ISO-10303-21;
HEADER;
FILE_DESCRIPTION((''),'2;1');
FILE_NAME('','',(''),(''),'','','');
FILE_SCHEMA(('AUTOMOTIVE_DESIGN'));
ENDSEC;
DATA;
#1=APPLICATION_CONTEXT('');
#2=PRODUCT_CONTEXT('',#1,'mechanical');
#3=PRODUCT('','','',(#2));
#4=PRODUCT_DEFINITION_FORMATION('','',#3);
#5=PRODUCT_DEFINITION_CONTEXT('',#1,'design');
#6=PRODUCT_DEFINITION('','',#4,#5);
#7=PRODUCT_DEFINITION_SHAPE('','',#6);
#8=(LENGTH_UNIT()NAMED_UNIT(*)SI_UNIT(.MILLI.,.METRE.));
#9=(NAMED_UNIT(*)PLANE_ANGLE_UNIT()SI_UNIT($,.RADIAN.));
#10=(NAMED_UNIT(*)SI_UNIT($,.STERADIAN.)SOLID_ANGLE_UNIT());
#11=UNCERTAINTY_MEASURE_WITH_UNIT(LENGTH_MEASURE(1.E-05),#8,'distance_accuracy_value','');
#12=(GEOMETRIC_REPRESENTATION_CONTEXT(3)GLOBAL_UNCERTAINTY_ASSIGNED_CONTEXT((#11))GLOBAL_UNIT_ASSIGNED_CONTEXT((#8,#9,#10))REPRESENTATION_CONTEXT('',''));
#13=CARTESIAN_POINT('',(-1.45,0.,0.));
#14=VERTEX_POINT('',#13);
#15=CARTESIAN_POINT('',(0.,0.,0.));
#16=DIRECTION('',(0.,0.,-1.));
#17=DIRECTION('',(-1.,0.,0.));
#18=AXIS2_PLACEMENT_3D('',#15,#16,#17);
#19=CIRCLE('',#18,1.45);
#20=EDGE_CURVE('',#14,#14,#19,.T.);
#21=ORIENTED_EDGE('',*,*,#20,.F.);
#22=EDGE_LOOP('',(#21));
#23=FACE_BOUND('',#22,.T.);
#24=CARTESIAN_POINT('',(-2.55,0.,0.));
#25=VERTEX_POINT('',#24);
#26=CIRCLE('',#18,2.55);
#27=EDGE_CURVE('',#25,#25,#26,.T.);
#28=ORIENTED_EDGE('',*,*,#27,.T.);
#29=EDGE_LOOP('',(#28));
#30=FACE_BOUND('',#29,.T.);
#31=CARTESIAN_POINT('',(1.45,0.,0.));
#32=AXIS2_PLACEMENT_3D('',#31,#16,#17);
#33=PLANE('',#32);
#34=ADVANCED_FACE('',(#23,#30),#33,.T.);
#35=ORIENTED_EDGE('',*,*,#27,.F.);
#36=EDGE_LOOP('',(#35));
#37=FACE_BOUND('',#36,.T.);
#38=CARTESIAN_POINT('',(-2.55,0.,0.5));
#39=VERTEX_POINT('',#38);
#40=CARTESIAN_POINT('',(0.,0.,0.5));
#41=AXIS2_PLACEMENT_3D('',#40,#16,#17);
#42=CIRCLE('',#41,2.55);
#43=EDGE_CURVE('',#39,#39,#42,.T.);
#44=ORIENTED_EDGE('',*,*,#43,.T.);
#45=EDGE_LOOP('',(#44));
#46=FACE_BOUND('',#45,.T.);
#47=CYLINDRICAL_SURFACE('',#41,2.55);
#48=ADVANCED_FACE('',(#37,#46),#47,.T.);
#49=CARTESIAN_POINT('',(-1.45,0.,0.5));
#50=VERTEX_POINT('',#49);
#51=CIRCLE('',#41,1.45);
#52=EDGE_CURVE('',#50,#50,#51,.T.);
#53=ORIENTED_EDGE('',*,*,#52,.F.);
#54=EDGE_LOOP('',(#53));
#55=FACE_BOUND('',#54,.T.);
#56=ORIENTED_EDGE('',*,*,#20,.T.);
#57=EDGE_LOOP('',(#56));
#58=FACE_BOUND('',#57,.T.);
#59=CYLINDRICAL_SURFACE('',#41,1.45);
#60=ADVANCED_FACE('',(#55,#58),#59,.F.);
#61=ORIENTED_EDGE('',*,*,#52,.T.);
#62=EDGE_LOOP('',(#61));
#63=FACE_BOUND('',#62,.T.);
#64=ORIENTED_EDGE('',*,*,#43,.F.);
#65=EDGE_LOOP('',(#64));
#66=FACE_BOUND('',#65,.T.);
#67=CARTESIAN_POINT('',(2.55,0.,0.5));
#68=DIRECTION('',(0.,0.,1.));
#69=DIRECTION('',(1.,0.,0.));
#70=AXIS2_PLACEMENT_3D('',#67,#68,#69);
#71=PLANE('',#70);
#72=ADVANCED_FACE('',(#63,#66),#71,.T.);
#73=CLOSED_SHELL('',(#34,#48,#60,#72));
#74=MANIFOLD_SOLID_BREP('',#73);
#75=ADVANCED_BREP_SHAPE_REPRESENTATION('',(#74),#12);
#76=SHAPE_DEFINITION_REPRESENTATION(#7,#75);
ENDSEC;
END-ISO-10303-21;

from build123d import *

# Parameters (mm, degrees)
SKETCH_1_W = 1.1
SKETCH_1_H = 0.5


with BuildPart() as part:
    # 草图1 → 旋转1 (revolve)
    with BuildSketch(Plane.XZ):
        with Locations((2, 0.25)):
            Rectangle(SKETCH_1_W, SKETCH_1_H)
    revolve(axis=Axis((0, 0, 0.5), (0, 0, -1)))


solid = part.part
